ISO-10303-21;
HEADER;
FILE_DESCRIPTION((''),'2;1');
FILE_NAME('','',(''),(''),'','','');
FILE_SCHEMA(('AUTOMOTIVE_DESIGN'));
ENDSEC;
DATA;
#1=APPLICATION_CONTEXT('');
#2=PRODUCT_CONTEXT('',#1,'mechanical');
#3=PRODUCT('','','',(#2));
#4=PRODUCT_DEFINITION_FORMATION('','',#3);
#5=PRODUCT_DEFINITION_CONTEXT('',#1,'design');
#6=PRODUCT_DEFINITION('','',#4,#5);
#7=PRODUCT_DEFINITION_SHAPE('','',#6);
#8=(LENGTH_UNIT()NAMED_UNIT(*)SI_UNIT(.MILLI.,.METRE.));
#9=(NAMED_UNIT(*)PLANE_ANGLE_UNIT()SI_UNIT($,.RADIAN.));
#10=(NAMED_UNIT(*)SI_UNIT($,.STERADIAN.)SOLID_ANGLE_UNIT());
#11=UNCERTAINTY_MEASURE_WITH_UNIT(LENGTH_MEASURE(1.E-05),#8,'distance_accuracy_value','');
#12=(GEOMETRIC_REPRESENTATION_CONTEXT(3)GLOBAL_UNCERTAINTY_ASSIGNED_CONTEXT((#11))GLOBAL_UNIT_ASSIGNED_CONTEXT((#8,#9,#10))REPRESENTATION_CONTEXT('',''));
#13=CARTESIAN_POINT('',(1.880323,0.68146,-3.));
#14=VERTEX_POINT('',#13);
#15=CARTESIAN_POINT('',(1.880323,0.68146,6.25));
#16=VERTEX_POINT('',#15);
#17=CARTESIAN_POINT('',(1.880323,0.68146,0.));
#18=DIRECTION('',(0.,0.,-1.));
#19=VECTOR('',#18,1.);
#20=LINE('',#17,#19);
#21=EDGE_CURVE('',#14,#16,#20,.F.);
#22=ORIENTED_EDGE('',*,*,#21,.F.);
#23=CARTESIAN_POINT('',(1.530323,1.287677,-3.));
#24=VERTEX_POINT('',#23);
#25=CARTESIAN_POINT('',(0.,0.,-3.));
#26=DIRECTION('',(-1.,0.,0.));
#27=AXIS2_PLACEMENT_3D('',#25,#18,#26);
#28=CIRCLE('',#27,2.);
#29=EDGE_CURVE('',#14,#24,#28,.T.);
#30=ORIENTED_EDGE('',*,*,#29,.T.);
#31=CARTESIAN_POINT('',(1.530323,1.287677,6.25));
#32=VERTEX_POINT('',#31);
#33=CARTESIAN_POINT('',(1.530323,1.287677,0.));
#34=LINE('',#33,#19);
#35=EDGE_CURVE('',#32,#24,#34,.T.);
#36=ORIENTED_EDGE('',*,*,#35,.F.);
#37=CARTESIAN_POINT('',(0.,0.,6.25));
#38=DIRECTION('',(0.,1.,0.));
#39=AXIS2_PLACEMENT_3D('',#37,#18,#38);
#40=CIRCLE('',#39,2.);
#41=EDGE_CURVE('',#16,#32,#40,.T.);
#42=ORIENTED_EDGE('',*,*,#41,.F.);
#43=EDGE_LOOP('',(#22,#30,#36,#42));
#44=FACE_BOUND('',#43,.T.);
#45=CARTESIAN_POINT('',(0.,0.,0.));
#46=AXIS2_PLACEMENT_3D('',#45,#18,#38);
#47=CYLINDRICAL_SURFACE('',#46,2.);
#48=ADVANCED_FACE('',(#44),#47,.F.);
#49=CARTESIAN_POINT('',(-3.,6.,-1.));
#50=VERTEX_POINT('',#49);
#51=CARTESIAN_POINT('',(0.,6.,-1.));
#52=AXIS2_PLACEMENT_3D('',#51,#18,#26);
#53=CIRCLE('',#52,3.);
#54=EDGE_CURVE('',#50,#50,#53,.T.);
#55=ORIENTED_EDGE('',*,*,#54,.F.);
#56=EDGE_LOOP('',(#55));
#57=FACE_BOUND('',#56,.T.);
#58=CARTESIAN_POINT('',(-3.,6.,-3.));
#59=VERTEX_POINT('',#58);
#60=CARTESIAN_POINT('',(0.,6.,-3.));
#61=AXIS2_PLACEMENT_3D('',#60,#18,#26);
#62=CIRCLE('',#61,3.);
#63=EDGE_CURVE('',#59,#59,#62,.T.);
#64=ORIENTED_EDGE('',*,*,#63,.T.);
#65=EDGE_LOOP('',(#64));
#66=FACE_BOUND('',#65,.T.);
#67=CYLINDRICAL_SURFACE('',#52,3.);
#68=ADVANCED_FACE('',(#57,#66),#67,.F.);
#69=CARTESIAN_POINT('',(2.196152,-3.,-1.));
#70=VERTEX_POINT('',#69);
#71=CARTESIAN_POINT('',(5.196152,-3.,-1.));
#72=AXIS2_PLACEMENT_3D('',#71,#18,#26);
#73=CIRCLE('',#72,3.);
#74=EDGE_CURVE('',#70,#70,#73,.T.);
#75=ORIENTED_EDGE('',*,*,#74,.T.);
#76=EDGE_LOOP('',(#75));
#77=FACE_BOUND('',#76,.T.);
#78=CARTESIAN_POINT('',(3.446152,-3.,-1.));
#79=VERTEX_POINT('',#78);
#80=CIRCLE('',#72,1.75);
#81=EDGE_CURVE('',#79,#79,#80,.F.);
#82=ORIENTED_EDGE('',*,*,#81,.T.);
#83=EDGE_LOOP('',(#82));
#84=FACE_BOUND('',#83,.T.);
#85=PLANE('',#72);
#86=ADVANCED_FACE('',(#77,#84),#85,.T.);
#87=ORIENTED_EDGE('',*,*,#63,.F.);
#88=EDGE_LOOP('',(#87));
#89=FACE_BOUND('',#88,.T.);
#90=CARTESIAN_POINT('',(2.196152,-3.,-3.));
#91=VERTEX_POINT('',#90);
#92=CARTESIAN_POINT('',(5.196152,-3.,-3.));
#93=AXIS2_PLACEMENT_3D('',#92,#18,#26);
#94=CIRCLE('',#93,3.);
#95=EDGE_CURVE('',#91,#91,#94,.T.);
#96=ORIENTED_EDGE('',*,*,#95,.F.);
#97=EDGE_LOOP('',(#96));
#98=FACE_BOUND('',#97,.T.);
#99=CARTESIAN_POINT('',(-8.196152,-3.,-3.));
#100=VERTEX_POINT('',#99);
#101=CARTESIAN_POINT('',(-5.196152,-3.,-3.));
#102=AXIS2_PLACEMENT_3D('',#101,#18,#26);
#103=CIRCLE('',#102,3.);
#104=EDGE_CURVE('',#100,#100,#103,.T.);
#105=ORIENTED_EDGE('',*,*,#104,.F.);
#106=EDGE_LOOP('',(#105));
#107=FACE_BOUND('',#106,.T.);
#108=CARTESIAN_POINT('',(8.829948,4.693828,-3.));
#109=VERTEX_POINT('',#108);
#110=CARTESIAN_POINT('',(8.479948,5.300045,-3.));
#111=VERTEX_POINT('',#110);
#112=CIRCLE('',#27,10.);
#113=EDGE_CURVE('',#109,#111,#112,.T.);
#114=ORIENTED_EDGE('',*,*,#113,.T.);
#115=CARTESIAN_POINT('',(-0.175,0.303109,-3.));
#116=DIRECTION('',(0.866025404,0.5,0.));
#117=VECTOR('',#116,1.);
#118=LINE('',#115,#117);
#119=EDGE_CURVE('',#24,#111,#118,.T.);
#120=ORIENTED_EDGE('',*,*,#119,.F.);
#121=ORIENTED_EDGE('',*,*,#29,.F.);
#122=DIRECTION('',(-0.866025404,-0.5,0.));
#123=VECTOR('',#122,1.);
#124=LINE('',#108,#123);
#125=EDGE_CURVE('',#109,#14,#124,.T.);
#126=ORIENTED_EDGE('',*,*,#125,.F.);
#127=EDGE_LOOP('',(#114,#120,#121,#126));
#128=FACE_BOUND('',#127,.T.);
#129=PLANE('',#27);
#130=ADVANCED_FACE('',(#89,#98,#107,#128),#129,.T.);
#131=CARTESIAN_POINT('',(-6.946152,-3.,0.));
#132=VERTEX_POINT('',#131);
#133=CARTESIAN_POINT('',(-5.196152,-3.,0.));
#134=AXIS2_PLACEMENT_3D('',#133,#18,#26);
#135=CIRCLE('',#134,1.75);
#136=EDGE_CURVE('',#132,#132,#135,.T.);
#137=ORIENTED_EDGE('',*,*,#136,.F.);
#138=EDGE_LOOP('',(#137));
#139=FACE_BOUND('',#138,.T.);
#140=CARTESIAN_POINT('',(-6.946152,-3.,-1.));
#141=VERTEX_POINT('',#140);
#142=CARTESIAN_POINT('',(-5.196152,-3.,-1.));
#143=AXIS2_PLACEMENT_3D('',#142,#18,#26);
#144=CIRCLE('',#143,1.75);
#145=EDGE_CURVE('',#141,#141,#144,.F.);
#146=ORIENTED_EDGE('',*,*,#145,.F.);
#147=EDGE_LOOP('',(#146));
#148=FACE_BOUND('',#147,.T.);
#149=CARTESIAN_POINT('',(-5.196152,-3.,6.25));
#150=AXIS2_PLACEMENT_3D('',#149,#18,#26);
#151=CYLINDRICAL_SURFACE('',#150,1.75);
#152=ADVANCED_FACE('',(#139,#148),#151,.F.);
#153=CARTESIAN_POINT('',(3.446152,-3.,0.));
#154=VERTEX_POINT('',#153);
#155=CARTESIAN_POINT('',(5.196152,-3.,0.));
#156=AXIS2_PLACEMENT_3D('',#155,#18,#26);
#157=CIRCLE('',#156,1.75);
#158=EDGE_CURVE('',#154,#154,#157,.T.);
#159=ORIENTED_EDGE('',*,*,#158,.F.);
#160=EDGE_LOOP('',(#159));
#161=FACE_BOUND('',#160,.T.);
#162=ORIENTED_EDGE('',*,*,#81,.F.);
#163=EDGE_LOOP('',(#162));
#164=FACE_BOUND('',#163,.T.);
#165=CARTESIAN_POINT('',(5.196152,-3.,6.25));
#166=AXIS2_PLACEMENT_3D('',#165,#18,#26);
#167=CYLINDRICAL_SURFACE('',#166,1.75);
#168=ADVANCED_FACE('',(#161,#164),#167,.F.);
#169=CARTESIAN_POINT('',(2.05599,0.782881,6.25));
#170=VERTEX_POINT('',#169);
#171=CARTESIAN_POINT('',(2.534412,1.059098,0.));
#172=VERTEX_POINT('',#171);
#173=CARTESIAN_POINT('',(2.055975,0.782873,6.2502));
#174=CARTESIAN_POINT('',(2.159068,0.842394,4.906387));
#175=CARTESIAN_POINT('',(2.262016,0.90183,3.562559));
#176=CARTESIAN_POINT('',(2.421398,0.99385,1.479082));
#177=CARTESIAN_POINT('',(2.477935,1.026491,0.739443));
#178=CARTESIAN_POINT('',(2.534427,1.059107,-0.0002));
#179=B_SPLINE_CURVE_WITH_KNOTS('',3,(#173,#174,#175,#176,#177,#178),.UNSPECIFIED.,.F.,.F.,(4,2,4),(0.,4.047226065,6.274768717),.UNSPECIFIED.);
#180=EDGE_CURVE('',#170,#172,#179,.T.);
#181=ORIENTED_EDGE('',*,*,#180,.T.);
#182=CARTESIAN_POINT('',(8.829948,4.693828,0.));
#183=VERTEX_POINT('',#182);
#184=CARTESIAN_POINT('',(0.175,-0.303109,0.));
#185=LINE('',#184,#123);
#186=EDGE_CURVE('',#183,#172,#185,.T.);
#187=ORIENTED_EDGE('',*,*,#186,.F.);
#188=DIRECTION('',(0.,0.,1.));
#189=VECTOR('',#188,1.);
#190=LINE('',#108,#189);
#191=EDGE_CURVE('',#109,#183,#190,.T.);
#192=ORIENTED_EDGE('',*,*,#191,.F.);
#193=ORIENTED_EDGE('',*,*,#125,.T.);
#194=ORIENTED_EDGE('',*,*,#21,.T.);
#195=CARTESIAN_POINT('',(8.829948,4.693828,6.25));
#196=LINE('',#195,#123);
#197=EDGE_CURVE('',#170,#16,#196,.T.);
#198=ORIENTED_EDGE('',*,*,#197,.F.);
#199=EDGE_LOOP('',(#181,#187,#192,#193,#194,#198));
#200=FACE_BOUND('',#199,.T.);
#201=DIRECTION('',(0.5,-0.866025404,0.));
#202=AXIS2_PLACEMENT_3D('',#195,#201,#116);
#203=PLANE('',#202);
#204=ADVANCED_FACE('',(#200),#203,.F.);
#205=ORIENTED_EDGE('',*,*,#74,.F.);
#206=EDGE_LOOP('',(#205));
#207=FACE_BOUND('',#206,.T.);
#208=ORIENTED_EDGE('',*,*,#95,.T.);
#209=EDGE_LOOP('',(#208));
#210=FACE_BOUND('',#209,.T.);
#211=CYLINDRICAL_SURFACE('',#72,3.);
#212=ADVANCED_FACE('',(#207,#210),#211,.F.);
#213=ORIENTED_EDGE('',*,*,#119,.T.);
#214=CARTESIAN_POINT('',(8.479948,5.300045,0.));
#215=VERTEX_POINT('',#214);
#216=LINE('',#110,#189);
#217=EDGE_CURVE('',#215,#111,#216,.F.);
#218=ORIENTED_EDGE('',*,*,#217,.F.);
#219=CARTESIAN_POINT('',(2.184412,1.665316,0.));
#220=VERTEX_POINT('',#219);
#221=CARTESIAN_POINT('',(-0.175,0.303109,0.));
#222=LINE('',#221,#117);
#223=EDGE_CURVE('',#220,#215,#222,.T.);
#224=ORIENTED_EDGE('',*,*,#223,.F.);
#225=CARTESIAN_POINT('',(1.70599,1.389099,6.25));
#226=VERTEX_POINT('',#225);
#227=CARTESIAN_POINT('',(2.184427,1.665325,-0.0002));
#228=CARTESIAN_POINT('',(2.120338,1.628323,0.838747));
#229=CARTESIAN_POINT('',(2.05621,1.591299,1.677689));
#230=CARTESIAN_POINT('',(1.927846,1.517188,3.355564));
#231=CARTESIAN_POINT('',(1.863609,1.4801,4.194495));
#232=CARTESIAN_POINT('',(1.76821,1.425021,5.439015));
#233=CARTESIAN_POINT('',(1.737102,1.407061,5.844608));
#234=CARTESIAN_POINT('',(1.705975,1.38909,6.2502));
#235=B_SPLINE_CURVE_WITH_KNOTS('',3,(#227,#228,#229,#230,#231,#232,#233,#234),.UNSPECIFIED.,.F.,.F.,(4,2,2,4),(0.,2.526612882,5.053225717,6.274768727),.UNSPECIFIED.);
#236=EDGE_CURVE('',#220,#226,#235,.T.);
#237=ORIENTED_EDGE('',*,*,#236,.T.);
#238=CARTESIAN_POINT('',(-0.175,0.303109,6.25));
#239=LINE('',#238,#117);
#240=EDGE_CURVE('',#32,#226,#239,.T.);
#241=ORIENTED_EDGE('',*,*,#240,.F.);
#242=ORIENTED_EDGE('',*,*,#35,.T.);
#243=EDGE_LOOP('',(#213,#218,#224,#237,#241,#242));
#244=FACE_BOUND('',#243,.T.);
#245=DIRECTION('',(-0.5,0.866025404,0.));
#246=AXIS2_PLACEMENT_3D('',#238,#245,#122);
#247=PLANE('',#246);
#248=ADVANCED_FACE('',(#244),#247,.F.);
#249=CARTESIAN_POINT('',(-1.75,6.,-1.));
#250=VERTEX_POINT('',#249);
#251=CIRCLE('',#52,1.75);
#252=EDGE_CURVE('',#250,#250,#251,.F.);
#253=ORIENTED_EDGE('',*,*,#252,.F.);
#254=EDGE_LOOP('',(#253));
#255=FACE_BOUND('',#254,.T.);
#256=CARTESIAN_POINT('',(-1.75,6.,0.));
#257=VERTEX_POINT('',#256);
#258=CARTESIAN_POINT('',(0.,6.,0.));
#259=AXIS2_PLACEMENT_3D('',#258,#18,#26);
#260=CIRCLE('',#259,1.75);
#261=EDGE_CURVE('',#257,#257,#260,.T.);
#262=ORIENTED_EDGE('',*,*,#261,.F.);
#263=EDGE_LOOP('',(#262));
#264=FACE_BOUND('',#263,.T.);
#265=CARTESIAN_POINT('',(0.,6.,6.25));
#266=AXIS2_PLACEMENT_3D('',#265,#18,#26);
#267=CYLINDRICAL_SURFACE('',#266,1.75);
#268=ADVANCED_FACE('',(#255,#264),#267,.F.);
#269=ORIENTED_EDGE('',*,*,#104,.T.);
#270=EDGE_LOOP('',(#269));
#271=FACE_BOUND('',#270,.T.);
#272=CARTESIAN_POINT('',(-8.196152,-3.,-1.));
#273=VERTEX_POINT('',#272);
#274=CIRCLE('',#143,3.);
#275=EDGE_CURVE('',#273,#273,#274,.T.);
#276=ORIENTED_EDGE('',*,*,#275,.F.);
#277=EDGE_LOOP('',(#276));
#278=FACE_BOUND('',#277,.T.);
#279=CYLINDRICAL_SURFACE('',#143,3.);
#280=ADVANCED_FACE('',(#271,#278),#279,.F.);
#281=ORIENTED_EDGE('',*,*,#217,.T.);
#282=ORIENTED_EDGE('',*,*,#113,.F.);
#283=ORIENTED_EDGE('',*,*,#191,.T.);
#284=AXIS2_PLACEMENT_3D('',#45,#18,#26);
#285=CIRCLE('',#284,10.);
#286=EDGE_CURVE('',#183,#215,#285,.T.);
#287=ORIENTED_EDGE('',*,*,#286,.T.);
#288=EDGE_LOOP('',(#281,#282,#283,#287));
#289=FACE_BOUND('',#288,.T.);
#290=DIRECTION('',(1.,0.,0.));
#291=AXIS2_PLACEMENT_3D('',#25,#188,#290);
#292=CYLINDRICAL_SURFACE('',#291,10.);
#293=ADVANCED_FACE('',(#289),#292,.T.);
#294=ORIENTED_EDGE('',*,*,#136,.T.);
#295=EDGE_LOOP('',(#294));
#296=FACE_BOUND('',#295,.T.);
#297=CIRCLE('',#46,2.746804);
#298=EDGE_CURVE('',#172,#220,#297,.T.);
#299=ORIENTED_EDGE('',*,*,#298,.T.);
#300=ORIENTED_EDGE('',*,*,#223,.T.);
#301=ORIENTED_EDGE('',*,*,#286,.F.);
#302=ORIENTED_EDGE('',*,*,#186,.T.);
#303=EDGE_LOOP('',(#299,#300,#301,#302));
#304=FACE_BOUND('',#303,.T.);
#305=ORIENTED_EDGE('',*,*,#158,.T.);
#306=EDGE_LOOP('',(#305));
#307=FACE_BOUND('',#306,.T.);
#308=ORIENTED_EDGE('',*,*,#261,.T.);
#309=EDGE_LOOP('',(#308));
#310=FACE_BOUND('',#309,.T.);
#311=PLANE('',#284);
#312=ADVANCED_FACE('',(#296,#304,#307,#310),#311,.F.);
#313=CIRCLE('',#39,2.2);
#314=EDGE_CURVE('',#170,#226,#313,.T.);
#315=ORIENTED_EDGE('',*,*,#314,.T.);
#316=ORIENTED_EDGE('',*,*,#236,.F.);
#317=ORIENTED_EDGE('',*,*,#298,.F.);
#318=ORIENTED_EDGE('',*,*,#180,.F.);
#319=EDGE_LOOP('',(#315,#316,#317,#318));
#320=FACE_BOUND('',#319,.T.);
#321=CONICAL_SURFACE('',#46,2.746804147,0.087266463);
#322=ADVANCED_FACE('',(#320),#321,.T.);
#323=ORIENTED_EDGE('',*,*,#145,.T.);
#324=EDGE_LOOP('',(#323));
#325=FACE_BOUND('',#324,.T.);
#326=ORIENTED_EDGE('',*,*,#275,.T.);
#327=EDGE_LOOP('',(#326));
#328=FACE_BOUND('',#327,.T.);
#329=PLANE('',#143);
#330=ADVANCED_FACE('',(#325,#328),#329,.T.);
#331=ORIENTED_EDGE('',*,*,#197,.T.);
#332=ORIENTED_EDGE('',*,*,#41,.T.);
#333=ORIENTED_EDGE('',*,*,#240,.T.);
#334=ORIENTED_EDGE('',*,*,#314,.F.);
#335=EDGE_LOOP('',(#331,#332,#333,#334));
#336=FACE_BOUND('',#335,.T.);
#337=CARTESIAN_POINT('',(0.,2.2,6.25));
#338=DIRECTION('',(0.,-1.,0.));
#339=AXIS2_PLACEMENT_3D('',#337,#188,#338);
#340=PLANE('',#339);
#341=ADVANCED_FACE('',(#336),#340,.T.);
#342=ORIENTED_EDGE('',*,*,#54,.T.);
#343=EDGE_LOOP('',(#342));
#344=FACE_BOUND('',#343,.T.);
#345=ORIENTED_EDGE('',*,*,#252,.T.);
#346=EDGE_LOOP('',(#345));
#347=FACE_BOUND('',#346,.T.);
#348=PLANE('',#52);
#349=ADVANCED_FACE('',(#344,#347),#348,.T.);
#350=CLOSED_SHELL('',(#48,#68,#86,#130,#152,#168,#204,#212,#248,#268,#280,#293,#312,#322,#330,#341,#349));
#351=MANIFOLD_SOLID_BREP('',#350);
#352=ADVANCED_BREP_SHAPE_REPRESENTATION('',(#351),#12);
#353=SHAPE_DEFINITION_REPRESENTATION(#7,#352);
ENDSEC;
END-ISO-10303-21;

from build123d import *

# Parameters (mm, degrees)
SKETCH4_R           = 10
SKETCH4_R_2         = 2
BOSS_EXTRUDE4_DEPTH = 3
SKETCH5_R           = 1.75
CUT_EXTRUDE1_DEPTH  = 10.25
SKETCH7_R           = 3
CUT_EXTRUDE3_DEPTH  = 2
CUT_EXTRUDE2_DEPTH  = 10.25


with BuildPart() as part:
    # Sketch3 → Revolve1 (revolve)
    with BuildSketch(Plane(origin=(0, 0, 0), x_dir=(0, 0, -1), z_dir=(1, 0, 0))):
        Polygon((0, 2), (0, 2.746804147), (-6.25, 2.2), (-6.25, 2), align=None)
    revolve(axis=Axis((0, 0, 0), (0, 0, 1)))

    # Sketch4 → Boss-Extrude4 (add)
    with BuildSketch(Plane(origin=(0, 0, 0), x_dir=(-1, 0, 0), z_dir=(0, 0, -1))):
        Circle(SKETCH4_R)
        Circle(SKETCH4_R_2, mode=Mode.SUBTRACT)
    extrude(amount=BOSS_EXTRUDE4_DEPTH)

    # Sketch5 → Cut-Extrude1 (cut, through all)
    with BuildSketch(Plane(origin=(0, 0, -3), x_dir=(-1, 0, 0), z_dir=(0, 0, -1))):
        with Locations((0, 6)):
            Circle(SKETCH5_R)
        with Locations((-5.196152423, -3)):
            Circle(SKETCH5_R)
        with Locations((5.196152423, -3)):
            Circle(SKETCH5_R)
    extrude(amount=-CUT_EXTRUDE1_DEPTH, mode=Mode.SUBTRACT)

    # Sketch7 → Cut-Extrude3 (cut)
    with BuildSketch(Plane(origin=(0, 0, -3), x_dir=(-1, 0, 0), z_dir=(0, 0, -1))):
        with Locations((0, 6)):
            Circle(SKETCH7_R)
        with Locations((5.196152423, -3)):
            Circle(SKETCH7_R)
        with Locations((-5.196152423, -3)):
            Circle(SKETCH7_R)
    extrude(amount=-CUT_EXTRUDE3_DEPTH, mode=Mode.SUBTRACT)

    # Sketch6 → Cut-Extrude2 (cut, through all)
    with BuildSketch(Plane(origin=(0, 0, -3), x_dir=(-1, 0, 0), z_dir=(0, 0, -1))):
        with BuildLine():
            Line((-8.829948007, 4.69382767), (-0.175, -0.303108891))
            Line((-0.175, -0.303108891), (0, 0))
            Line((0, 0), (0.175, 0.303108891))
            Line((0.175, 0.303108891), (-8.479948007, 5.300045453))
            ThreePointArc((-8.479948007, 5.300045453), (-8.660254038, 5), (-8.829948007, 4.69382767))
        make_face()
    extrude(amount=-CUT_EXTRUDE2_DEPTH, mode=Mode.SUBTRACT)


solid = part.part
